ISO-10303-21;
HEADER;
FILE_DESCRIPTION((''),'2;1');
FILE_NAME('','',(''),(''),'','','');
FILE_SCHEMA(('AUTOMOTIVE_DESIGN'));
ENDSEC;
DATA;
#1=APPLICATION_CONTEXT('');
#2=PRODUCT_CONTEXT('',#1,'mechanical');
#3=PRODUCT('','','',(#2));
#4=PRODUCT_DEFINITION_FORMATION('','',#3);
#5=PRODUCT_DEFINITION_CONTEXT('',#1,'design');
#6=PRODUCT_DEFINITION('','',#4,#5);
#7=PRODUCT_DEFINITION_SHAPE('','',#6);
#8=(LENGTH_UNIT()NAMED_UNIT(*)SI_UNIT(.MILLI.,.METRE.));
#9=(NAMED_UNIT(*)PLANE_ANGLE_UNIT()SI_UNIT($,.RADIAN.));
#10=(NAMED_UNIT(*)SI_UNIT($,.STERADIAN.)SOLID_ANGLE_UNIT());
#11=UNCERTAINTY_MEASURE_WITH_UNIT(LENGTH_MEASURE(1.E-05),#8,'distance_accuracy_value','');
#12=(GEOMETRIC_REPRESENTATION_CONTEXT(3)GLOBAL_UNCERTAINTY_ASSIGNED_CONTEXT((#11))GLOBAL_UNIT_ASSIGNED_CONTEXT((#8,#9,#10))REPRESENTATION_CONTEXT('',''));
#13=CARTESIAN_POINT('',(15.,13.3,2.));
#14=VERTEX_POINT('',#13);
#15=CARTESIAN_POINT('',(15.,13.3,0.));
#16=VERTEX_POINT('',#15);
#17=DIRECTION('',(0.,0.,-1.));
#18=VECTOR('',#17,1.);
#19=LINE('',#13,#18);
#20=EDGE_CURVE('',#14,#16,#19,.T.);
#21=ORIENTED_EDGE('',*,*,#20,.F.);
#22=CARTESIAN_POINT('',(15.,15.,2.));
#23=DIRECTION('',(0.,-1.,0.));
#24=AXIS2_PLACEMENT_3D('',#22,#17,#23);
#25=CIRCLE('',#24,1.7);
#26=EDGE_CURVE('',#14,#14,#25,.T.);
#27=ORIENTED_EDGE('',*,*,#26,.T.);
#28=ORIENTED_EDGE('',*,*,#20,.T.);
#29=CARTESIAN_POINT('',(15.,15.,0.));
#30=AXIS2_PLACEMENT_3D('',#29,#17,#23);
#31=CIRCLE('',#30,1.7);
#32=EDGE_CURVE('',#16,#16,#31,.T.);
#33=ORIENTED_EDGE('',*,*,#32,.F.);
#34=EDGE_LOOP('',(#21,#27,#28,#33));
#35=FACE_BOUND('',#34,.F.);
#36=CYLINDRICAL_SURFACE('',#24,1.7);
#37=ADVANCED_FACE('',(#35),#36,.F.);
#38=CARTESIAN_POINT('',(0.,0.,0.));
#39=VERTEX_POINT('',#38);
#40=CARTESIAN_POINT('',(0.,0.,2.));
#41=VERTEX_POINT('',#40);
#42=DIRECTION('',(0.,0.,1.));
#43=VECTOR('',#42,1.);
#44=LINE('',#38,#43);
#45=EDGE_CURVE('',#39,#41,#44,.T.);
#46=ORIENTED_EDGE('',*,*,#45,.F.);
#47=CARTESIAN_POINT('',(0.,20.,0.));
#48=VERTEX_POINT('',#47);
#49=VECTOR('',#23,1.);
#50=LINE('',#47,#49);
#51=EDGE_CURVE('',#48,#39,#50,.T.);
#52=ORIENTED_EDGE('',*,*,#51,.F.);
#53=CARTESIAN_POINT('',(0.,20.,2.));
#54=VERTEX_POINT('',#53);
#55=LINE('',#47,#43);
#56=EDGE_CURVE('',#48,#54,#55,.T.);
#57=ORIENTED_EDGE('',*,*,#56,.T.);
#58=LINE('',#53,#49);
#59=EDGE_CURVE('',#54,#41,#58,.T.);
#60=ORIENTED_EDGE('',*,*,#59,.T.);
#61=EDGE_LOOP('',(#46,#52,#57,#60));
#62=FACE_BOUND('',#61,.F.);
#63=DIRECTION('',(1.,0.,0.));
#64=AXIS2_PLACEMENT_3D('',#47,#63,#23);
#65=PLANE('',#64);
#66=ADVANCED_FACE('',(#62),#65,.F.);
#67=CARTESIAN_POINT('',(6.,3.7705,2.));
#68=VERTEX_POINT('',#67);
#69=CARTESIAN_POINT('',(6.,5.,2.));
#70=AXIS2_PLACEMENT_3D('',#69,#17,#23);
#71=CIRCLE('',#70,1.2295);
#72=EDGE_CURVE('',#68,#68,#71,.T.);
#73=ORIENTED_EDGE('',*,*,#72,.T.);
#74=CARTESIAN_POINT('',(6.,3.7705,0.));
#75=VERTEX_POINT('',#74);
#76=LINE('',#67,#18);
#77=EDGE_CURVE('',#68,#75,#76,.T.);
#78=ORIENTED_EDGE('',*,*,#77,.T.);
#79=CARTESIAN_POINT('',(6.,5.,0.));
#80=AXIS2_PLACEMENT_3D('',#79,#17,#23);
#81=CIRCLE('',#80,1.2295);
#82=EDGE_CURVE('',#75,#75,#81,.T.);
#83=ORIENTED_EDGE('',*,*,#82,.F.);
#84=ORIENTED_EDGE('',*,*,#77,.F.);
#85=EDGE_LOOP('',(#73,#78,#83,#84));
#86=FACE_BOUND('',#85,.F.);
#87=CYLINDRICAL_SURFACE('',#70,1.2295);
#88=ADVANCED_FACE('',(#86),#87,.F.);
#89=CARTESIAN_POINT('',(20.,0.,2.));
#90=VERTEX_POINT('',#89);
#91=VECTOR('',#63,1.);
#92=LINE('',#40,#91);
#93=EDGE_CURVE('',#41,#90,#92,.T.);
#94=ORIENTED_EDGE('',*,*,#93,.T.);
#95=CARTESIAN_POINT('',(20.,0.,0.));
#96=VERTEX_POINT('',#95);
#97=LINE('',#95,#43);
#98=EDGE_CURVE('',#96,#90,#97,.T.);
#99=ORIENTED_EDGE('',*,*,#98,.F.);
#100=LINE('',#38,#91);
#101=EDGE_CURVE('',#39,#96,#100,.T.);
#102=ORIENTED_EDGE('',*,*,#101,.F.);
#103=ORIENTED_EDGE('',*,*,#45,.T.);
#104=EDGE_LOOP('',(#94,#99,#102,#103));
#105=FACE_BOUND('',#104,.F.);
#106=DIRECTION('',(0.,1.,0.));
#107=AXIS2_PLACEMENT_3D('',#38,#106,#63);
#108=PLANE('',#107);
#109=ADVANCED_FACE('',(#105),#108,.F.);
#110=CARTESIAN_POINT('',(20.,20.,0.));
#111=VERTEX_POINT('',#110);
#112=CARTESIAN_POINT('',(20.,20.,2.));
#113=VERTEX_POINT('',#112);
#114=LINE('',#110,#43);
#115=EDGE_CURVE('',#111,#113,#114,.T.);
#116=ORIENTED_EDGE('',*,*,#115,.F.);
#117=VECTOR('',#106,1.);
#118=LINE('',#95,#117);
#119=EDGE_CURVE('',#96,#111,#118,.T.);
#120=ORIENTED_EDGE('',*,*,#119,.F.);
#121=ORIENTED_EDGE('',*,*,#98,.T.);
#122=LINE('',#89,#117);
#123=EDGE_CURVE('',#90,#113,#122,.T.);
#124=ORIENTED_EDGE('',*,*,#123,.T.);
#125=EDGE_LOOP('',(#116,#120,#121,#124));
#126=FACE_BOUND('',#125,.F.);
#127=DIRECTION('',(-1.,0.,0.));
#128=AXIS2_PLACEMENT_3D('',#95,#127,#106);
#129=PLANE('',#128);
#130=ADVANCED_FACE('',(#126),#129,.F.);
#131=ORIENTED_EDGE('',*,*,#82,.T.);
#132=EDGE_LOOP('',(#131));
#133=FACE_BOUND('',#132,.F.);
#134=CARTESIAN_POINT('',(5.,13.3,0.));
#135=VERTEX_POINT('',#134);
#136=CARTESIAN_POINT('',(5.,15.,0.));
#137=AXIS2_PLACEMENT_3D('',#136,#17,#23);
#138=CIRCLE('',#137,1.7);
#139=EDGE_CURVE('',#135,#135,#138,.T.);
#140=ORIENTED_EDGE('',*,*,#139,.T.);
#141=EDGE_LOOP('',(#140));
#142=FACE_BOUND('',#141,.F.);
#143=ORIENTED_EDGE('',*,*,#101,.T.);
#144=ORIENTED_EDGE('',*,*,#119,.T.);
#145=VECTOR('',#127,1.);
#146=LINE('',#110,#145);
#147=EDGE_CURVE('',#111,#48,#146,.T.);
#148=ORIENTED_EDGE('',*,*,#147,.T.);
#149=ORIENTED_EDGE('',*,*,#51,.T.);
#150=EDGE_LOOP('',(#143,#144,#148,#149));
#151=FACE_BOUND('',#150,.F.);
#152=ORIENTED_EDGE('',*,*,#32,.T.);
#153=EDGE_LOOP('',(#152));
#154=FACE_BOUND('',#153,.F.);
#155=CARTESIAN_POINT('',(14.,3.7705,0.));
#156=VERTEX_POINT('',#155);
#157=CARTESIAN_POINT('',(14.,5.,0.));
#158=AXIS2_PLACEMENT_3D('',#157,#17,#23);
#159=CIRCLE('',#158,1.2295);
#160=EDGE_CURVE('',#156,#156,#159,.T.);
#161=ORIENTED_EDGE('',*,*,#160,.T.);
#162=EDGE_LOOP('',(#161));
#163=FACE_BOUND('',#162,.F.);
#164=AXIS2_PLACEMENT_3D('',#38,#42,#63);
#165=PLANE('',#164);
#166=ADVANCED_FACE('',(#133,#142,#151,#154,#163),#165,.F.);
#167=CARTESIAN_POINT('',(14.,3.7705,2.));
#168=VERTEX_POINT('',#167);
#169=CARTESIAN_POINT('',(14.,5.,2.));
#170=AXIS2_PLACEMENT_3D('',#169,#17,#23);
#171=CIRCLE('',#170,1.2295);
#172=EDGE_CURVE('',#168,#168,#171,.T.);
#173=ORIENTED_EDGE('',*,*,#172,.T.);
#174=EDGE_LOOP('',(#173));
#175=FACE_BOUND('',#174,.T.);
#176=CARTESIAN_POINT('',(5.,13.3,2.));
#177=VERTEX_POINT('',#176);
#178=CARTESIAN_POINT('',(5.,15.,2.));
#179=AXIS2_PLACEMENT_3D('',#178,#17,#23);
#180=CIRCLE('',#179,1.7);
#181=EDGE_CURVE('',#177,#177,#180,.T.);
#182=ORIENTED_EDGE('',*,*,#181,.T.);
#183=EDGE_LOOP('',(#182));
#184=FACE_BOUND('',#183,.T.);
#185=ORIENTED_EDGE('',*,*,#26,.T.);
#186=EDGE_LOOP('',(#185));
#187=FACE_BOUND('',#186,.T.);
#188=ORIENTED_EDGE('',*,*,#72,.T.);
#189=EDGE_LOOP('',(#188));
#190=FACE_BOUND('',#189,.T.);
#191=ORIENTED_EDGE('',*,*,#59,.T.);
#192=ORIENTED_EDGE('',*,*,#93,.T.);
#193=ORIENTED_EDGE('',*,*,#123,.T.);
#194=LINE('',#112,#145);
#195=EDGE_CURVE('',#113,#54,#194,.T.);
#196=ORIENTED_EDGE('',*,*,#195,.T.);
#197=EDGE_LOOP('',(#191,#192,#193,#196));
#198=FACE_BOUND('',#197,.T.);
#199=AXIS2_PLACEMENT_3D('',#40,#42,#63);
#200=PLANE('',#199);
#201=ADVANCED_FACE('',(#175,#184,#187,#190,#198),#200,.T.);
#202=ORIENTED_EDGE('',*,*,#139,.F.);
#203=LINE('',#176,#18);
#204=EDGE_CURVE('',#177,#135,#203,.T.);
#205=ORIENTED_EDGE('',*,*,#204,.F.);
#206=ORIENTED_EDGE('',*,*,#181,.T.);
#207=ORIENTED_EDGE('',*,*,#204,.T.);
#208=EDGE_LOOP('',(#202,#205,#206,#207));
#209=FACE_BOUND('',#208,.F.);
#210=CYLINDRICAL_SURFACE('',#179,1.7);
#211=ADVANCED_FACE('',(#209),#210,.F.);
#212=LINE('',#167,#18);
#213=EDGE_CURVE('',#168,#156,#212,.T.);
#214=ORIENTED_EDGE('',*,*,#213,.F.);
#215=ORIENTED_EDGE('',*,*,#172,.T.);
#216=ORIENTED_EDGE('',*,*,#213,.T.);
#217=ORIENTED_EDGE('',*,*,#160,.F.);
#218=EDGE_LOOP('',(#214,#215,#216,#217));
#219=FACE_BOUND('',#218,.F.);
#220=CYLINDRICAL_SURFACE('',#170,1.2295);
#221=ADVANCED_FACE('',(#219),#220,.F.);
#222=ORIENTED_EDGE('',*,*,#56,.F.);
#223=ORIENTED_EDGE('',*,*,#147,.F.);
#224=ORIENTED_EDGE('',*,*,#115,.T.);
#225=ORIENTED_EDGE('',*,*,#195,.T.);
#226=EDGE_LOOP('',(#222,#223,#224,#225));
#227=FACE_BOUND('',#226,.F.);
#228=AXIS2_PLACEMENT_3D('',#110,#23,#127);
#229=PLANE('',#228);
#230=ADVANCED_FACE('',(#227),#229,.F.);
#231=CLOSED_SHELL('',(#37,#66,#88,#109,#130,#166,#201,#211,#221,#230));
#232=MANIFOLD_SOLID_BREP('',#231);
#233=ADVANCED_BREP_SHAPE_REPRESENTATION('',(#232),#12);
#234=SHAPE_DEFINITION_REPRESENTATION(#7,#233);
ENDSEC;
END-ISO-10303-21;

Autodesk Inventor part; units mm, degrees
ref_plane "YZ Plane" through (0, 0, 0) normal (1, 0, 0) x (0, 1, 0)
ref_plane "XZ Plane" through (0, 0, 0) normal (0, 1, 0) x (-1, 0, 0)
ref_plane "XY Plane" through (0, 0, 0) normal (0, 0, 1) x (1, 0, 0)
sketch "Skizze1" plane through (0, 0, 0) normal (0, 0, 1) x (1, 0, 0)
  line L0 (0, 0) -> (20, 0)
  line L1 (20, 0) -> (20, 20)
  line L2 (20, 20) -> (0, 20)
  line L3 (0, 20) -> (0, 0)
  dimension "d0" = 20
  dimension "d1" = 20
extrude "Extrusion1" add sketch "Skizze1" along normal blind 2
sketch "Skizze2" plane through (0, 0, 2) normal (0, 0, 1) x (1, 0, 0)
  line L0 (0, 0) -> (0, 20) projected
  line L1 (20, 20) -> (20, 0) projected
  line L2 (0, 20) -> (20, 20) projected
  line L3 (0, 15) -> (20, 15)
  point P0 (5, 15)
  point P1 (15, 15)
  dimension "d4" = 5
  dimension "d5" = 5
  dimension "d6" = 10
hole "Bohrung1" at (5, 15, 2) at (15, 15, 2) direction (0, 0, -1) diameter 3.4 end through all
sketch "Skizze3" plane through (0, 0, 2) normal (0, 0, 1) x (1, 0, 0)
  line L0 (0, 0) -> (0, 20) projected
  line L1 (20, 0) -> (0, 0) projected
  line L2 (20, 20) -> (20, 0) projected
  line L3 (0, 5) -> (20, 5)
  line L4 (10, 0) -> (10, 7.2656)
  point P0 (6, 5)
  point P1 (14, 5)
  dimension "d14" = 8
  dimension "d15" = 5
hole "Bohrung2" at (6, 5, 2) at (14, 5, 2) direction (0, 0, -1) diameter 2.459 end through all thread size "M3x0.5" class "6H" standard "ISO Metric profile"
properties part number "13_0204_071"
